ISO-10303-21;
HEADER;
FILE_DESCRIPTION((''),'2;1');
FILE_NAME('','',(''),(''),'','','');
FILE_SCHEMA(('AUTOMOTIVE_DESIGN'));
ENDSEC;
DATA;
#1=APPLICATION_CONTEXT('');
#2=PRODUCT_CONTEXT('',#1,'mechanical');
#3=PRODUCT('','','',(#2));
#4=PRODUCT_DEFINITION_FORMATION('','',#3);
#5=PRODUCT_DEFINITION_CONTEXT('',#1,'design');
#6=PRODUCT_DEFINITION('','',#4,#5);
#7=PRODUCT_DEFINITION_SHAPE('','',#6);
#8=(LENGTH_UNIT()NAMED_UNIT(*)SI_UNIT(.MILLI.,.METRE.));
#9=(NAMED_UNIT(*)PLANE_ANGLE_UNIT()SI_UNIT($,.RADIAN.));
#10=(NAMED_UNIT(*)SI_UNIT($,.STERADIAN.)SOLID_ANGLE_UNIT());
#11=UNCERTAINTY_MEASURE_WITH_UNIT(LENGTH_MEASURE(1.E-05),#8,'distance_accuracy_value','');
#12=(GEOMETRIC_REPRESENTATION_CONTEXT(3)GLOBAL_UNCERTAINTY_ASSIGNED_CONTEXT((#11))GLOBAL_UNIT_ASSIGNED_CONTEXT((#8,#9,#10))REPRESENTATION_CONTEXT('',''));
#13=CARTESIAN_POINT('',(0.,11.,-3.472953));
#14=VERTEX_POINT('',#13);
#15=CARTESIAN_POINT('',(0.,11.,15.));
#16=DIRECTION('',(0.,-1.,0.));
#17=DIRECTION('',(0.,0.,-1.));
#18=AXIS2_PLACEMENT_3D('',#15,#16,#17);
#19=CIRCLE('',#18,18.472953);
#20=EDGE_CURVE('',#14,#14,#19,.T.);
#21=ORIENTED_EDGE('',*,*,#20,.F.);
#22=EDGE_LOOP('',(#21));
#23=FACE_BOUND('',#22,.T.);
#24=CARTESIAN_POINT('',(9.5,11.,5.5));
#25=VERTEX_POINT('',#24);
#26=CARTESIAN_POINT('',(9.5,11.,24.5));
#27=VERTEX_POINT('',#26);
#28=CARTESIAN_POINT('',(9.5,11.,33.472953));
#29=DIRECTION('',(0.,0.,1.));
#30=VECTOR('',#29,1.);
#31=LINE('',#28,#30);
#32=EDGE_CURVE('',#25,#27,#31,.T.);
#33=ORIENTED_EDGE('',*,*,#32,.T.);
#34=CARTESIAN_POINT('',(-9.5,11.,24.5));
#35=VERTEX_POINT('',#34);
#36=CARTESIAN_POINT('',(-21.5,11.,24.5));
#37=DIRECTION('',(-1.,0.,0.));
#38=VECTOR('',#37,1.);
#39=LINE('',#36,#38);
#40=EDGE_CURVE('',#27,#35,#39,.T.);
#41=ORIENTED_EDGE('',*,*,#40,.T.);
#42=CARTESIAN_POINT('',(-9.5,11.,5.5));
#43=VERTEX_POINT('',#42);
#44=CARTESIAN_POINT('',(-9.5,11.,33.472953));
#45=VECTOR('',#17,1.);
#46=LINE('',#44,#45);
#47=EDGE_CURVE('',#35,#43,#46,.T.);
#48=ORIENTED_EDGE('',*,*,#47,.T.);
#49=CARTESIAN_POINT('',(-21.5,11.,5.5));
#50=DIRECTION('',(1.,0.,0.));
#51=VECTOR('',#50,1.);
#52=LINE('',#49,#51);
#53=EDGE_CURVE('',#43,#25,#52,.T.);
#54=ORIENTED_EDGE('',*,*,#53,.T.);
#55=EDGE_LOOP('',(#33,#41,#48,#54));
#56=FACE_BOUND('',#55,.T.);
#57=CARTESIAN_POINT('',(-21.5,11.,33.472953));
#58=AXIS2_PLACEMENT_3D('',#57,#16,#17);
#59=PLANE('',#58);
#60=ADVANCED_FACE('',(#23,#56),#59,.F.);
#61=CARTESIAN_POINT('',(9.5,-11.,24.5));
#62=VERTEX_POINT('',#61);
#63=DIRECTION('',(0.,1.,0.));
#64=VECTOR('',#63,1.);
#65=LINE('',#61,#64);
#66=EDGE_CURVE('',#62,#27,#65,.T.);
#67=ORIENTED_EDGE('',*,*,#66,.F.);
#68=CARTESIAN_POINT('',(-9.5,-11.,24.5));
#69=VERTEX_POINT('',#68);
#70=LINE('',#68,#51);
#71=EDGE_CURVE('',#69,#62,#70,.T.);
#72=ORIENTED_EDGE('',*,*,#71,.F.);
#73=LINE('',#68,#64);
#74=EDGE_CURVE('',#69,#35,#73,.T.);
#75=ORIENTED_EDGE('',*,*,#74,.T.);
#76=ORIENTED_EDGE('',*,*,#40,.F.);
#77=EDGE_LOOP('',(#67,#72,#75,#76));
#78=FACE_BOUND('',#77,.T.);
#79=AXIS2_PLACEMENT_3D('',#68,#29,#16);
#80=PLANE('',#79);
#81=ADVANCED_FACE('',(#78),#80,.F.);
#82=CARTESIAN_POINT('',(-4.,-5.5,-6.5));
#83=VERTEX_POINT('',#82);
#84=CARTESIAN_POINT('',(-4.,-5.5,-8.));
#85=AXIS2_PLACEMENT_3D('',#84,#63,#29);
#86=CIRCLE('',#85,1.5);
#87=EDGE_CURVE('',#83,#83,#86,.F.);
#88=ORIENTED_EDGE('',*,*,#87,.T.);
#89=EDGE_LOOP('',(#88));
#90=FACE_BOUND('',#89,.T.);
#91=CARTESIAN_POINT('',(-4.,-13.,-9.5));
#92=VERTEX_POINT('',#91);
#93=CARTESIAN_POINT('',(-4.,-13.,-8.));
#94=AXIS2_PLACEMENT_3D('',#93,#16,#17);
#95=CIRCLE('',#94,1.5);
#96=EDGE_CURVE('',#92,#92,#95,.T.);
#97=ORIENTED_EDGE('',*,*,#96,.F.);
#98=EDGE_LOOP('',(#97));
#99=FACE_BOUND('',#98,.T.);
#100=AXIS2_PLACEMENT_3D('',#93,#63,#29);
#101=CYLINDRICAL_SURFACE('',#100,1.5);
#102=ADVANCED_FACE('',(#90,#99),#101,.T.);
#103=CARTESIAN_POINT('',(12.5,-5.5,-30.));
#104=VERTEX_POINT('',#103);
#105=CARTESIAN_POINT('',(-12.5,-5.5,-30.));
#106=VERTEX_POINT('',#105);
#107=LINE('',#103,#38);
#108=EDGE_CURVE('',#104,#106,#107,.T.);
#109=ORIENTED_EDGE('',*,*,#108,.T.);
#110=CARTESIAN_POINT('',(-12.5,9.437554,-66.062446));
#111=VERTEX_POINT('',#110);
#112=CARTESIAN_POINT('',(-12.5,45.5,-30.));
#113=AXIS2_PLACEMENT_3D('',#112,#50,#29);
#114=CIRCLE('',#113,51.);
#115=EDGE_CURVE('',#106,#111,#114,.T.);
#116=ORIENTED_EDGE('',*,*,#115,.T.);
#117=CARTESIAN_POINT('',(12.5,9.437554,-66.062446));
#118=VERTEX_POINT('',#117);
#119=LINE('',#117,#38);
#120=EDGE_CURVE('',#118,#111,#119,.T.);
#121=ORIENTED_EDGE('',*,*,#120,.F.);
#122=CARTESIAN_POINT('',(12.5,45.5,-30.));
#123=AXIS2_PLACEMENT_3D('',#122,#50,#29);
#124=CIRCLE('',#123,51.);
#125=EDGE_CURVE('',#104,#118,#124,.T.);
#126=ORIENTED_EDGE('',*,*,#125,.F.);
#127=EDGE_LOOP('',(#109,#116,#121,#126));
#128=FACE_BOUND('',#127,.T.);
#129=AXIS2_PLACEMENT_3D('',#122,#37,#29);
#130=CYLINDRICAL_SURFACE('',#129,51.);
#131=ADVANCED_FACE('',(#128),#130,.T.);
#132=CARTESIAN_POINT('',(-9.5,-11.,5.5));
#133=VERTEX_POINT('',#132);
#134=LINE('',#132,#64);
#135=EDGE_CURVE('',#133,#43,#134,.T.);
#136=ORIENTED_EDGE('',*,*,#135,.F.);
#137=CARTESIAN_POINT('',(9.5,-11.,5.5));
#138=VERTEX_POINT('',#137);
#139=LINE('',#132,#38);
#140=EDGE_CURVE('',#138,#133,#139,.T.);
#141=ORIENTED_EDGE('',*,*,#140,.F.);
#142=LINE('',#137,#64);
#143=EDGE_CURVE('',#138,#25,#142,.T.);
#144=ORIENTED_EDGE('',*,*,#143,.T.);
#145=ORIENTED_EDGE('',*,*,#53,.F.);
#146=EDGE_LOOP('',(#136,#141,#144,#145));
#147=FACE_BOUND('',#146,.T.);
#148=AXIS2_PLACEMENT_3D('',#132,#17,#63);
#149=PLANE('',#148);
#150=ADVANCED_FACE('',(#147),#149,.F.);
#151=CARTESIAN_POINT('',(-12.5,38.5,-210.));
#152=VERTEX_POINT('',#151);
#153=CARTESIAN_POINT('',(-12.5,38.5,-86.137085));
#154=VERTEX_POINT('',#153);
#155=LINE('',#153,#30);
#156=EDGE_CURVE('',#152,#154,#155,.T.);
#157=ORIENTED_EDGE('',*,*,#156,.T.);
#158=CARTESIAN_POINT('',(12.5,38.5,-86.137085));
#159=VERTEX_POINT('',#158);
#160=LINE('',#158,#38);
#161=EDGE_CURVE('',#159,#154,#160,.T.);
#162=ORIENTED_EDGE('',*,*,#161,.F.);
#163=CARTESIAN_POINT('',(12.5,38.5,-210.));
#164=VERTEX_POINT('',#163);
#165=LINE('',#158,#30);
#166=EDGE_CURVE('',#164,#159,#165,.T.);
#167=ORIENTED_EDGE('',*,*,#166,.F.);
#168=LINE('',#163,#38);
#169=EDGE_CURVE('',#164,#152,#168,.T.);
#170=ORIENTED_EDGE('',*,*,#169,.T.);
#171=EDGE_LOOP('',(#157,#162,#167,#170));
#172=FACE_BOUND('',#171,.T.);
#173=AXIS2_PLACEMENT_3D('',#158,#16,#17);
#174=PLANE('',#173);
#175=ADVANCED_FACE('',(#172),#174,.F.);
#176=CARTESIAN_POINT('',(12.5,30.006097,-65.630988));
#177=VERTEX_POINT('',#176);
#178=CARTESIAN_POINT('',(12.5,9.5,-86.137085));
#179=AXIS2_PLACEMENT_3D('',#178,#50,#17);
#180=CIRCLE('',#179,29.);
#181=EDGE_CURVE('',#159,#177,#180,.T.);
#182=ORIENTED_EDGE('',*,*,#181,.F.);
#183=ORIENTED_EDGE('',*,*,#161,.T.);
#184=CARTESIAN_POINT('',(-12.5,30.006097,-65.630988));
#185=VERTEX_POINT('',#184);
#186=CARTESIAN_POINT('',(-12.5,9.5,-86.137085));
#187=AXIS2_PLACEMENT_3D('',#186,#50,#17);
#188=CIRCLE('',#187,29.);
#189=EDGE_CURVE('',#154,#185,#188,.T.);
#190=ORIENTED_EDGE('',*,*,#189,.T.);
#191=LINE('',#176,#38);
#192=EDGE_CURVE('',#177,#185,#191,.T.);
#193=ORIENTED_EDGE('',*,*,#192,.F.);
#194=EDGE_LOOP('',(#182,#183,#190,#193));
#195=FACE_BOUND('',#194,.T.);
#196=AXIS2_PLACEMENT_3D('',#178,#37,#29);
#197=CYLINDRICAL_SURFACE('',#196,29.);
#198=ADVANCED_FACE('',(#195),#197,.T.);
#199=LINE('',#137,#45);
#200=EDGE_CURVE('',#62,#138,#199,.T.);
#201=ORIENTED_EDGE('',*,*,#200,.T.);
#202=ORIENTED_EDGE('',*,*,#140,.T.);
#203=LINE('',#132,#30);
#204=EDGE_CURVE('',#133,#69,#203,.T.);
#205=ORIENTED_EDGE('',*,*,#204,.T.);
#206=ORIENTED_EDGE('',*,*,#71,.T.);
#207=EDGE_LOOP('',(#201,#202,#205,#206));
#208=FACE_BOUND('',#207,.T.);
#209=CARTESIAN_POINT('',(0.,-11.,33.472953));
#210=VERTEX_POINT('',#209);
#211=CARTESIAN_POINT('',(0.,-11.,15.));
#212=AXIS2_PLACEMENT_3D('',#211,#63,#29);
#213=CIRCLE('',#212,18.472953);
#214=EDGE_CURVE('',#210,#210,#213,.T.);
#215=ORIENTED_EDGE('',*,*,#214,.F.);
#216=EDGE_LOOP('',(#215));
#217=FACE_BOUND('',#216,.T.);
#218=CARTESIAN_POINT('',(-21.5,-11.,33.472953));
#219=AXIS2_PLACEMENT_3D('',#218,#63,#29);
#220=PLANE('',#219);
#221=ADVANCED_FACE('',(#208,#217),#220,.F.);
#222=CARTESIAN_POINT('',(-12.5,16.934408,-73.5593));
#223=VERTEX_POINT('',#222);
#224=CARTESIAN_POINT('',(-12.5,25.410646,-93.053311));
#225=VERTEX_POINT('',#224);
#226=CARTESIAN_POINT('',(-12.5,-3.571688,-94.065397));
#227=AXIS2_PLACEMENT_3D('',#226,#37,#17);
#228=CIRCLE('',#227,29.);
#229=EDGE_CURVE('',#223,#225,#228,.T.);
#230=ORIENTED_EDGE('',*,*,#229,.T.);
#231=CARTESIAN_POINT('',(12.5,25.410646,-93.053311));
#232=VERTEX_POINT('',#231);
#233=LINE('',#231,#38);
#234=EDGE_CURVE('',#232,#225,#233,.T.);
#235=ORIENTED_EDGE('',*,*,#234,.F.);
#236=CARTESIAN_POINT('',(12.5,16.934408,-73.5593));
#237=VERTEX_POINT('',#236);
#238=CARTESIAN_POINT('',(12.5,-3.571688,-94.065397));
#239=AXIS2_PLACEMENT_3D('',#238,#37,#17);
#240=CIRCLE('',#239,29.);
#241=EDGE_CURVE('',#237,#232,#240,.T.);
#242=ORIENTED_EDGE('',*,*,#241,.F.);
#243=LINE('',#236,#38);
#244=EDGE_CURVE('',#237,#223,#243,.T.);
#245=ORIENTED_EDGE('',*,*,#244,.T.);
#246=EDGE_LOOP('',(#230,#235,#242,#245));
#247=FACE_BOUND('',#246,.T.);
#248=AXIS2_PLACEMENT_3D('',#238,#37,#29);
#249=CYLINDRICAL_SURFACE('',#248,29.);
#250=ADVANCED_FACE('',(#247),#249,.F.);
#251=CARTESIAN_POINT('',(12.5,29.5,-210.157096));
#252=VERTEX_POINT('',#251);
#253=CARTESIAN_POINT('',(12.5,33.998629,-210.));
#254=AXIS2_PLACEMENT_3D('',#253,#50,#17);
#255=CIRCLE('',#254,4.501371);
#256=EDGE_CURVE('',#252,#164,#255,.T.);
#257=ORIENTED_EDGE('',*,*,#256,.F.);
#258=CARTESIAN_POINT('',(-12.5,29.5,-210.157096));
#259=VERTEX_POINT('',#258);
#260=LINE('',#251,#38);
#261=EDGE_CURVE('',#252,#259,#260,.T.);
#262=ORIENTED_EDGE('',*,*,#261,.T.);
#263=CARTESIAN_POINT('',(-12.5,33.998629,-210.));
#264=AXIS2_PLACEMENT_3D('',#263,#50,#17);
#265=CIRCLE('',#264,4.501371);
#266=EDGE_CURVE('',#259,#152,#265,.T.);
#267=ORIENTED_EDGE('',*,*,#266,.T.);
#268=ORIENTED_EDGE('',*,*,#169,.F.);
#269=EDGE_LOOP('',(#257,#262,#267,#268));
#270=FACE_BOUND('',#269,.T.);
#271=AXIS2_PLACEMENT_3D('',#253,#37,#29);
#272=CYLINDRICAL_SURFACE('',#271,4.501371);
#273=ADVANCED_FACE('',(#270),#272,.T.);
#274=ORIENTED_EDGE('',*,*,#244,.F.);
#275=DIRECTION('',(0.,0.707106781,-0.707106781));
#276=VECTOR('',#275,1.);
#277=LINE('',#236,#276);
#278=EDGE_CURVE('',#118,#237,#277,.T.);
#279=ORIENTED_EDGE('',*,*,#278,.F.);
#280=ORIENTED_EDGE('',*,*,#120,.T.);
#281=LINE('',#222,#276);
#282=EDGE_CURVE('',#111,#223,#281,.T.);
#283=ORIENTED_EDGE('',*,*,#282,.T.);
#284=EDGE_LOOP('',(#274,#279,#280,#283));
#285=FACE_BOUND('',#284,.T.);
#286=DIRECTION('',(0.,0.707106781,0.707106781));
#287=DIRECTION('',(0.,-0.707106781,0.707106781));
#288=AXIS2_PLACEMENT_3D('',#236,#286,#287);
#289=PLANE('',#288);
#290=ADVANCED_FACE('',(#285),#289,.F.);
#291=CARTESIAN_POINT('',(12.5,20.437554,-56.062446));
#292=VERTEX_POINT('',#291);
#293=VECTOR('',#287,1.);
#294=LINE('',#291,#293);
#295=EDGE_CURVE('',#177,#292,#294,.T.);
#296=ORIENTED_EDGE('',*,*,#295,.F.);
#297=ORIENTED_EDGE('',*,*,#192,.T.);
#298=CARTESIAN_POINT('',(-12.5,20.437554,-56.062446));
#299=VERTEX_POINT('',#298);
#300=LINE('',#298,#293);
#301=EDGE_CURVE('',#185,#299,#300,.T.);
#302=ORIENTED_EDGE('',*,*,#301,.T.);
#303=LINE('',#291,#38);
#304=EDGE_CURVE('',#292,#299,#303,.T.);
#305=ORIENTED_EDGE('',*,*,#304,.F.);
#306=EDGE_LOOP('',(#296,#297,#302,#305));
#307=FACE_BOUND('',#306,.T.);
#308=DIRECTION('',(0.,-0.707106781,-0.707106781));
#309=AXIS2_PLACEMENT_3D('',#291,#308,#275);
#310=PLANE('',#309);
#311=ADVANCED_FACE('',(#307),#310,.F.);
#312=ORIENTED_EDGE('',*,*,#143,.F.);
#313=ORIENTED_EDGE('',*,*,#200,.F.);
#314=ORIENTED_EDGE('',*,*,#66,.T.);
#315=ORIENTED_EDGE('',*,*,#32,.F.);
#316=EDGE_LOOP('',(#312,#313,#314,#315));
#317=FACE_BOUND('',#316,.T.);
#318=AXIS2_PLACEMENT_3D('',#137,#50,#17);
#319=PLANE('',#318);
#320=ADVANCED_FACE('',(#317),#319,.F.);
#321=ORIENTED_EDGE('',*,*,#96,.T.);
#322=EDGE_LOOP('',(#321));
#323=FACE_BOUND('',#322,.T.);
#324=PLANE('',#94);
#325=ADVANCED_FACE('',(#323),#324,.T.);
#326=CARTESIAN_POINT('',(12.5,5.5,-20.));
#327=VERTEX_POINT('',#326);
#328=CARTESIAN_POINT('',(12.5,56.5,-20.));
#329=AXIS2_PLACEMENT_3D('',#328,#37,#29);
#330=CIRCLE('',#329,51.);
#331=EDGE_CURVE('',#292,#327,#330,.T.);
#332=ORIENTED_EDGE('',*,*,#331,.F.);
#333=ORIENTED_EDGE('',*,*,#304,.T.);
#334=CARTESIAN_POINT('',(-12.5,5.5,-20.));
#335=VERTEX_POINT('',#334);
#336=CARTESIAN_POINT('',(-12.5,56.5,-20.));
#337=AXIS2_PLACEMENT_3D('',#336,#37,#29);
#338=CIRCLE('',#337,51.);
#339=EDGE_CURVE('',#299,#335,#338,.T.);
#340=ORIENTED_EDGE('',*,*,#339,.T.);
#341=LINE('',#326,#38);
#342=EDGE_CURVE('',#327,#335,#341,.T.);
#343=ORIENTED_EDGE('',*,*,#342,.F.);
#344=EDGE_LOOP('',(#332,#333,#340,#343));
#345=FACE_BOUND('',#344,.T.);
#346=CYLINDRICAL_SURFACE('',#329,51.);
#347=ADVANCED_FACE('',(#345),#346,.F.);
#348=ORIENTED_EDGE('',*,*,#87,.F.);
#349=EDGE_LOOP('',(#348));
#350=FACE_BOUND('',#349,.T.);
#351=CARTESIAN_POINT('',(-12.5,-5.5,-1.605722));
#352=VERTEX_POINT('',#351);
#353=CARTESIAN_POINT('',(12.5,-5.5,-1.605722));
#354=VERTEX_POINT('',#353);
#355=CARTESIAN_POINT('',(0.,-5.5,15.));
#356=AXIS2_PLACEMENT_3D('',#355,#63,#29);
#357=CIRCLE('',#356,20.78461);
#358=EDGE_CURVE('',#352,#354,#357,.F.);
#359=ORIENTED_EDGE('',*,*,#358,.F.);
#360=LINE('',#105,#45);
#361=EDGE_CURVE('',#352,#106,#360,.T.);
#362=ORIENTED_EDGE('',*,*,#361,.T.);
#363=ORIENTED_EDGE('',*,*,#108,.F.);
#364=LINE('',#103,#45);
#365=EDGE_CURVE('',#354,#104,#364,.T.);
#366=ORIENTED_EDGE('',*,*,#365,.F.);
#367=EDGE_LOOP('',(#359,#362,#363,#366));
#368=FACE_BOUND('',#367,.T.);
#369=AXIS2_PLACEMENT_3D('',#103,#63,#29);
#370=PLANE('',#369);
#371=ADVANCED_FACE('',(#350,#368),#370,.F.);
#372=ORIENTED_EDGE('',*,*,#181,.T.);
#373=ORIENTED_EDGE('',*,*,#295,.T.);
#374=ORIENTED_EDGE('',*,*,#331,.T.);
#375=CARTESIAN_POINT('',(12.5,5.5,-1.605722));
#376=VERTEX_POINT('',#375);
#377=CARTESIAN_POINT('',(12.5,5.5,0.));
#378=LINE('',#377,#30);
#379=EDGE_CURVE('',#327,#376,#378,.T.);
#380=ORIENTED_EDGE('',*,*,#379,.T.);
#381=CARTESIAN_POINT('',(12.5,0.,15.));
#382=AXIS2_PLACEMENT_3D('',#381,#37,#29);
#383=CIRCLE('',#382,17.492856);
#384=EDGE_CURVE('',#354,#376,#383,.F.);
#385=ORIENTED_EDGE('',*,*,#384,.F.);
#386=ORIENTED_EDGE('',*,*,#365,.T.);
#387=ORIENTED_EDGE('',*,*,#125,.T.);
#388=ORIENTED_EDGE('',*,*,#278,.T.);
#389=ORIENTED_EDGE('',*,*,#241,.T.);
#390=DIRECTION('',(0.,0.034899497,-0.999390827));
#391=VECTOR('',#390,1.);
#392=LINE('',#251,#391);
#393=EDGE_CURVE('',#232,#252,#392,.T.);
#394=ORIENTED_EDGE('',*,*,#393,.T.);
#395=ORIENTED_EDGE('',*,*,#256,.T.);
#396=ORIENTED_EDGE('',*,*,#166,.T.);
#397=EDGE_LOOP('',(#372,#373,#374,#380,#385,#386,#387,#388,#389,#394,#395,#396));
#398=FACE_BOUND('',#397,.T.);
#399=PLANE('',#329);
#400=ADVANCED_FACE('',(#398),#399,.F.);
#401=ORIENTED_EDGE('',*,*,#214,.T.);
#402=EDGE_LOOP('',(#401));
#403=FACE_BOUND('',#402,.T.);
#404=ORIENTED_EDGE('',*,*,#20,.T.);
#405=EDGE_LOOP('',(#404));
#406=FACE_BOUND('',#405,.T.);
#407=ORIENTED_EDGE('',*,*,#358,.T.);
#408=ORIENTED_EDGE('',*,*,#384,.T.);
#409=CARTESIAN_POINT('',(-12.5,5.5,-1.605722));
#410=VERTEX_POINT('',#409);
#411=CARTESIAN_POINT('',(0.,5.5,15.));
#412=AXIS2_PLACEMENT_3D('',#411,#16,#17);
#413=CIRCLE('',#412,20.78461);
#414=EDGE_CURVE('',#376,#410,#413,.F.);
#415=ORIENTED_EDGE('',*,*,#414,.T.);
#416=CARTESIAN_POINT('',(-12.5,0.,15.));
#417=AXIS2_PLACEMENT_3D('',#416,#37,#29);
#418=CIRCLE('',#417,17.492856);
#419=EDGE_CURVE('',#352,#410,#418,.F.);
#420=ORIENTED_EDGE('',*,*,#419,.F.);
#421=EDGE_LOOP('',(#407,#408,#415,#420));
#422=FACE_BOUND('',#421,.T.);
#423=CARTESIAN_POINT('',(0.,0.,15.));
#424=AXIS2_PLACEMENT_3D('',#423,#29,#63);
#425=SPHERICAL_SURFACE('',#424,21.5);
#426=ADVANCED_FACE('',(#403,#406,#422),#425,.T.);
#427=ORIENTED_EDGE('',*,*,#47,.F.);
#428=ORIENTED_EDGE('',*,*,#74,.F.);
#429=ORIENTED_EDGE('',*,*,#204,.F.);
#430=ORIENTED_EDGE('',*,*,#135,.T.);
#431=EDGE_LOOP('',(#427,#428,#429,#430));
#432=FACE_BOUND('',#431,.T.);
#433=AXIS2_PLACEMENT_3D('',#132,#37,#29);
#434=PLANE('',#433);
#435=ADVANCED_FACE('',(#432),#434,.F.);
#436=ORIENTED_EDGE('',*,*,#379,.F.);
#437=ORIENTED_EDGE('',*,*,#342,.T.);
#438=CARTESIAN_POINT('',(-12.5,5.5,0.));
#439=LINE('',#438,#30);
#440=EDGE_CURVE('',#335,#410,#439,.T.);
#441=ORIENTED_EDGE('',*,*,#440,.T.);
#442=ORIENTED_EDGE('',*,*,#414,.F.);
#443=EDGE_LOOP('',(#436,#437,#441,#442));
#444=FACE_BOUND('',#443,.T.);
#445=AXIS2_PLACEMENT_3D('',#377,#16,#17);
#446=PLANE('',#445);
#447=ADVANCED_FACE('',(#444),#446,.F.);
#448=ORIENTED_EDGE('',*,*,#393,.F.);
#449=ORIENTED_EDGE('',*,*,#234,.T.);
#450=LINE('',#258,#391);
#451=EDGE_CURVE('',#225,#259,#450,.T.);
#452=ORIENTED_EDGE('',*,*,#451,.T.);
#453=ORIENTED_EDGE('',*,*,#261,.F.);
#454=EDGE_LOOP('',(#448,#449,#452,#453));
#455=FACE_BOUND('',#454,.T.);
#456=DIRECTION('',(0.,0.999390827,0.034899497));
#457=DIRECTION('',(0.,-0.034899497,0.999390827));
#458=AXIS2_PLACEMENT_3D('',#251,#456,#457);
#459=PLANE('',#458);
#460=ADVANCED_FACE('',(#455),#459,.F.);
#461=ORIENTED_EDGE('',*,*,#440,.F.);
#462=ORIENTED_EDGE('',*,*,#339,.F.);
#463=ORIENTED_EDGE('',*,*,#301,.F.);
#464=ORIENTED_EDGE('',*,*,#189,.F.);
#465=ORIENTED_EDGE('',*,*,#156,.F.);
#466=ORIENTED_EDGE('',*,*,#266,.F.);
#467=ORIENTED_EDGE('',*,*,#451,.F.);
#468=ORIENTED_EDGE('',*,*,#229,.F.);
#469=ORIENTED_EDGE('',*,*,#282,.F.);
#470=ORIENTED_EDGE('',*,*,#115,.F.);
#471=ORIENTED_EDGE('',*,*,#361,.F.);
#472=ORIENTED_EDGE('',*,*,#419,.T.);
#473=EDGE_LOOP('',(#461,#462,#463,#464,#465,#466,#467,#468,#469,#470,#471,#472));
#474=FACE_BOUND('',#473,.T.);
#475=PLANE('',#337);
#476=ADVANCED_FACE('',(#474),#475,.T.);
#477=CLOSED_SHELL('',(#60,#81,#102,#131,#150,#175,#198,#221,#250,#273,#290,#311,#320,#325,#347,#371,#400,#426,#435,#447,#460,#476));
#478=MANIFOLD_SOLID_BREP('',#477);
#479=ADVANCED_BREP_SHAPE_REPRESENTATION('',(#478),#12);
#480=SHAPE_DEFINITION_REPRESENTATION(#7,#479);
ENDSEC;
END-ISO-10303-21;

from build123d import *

# Parameters (mm, degrees)
BOSS_EXTRUDE1_DEPTH     = 12.5
CUT_EXTRUDE1_DEPTH      = 219.987073
CUT_EXTRUDE1_DEPTH_BACK = 219.987073
CUT_EXTRUDE2_DEPTH      = 218.323119
CUT_EXTRUDE2_DEPTH_BACK = 218.323119
SKETCH4_W               = 19
SKETCH4_H               = 19
SKETCH6_R               = 1.5
BOSS_EXTRUDE2_DEPTH     = 7.5


with BuildPart() as part:
    # Sketch1 → Boss-Extrude1 (new, symmetric)
    with BuildSketch(Plane(origin=(0, 0, 0), x_dir=(0, 0, -1), z_dir=(1, 0, 0))):
        with BuildLine():
            Line((0, -5.5), (0, 5.5))
            Line((0, 5.5), (20, 5.5))
            ThreePointArc((20, 5.5), (39.516855, 9.382144), (56.062446, 20.437554))
            Line((56.062446, 20.437554), (65.630988, 30.006097))
            ThreePointArc((65.630988, 30.006097), (75.039265, 36.292506), (86.137085, 38.5))
            Line((86.137085, 38.5), (210, 38.5))
            ThreePointArc((210, 38.5), (214.500685, 34.077189), (210.157096, 29.5))
            Line((210.157096, 29.5), (93.053311, 25.410646))
            ThreePointArc((93.053311, 25.410646), (82.501674, 23.023054), (73.5593, 16.934408))
            Line((73.5593, 16.934408), (66.062446, 9.437554))
            ThreePointArc((66.062446, 9.437554), (49.516855, -1.617856), (30, -5.5))
            Line((30, -5.5), (0, -5.5))
        make_face()
    extrude(amount=BOSS_EXTRUDE1_DEPTH, both=True)

    # Sketch2 → Revolve2 (revolve)
    with BuildSketch(Plane(origin=(0, 0, 0), x_dir=(0, 0, -1), z_dir=(1, 0, 0))):
        with BuildLine():
            Line((-36.5, 0), (6.5, 0))
            ThreePointArc((6.5, 0), (-15, 21.5), (-36.5, 0))
        make_face()
    revolve(axis=Axis((0, 0, 36.5), (0, 0, -1)))

    # Sketch3 → Cut-Extrude1 (cut, two sides: drawn at the far end of the back side and taken through both)
    with BuildSketch(Plane(origin=(0, 0, 0), x_dir=(0, 0, -1), z_dir=(1, 0, 0)).offset(-CUT_EXTRUDE1_DEPTH_BACK)):
        with BuildLine():
            Line((-33.472953, 11), (3.472953, 11))
            ThreePointArc((3.472953, 11), (-15, 21.5), (-33.472953, 11))
        make_face()
        with BuildLine():
            Line((-33.472953, -11), (3.472953, -11))
            ThreePointArc((3.472953, -11), (-15, -21.5), (-33.472953, -11))
        make_face()
    extrude(amount=CUT_EXTRUDE1_DEPTH + CUT_EXTRUDE1_DEPTH_BACK, mode=Mode.SUBTRACT)

    # Sketch4 → Cut-Extrude2 (cut, two sides: drawn at the far end of the back side and taken through both)
    with BuildSketch(Plane(origin=(0, 11, 0), x_dir=(1, 0, 0), z_dir=(0, 1, 0)).offset(-CUT_EXTRUDE2_DEPTH_BACK)):
        with Locations((0, -15)):
            Rectangle(SKETCH4_W, SKETCH4_H)
    extrude(amount=CUT_EXTRUDE2_DEPTH + CUT_EXTRUDE2_DEPTH_BACK, mode=Mode.SUBTRACT)

    # Sketch6 → Boss-Extrude2 (add, symmetric)
    with BuildSketch(Plane.XZ.offset(5.5)):
        with Locations(Location((-4, -8, 0), (0, 0, 90))):
            Circle(SKETCH6_R)
    extrude(amount=BOSS_EXTRUDE2_DEPTH, both=True)


solid = part.part
